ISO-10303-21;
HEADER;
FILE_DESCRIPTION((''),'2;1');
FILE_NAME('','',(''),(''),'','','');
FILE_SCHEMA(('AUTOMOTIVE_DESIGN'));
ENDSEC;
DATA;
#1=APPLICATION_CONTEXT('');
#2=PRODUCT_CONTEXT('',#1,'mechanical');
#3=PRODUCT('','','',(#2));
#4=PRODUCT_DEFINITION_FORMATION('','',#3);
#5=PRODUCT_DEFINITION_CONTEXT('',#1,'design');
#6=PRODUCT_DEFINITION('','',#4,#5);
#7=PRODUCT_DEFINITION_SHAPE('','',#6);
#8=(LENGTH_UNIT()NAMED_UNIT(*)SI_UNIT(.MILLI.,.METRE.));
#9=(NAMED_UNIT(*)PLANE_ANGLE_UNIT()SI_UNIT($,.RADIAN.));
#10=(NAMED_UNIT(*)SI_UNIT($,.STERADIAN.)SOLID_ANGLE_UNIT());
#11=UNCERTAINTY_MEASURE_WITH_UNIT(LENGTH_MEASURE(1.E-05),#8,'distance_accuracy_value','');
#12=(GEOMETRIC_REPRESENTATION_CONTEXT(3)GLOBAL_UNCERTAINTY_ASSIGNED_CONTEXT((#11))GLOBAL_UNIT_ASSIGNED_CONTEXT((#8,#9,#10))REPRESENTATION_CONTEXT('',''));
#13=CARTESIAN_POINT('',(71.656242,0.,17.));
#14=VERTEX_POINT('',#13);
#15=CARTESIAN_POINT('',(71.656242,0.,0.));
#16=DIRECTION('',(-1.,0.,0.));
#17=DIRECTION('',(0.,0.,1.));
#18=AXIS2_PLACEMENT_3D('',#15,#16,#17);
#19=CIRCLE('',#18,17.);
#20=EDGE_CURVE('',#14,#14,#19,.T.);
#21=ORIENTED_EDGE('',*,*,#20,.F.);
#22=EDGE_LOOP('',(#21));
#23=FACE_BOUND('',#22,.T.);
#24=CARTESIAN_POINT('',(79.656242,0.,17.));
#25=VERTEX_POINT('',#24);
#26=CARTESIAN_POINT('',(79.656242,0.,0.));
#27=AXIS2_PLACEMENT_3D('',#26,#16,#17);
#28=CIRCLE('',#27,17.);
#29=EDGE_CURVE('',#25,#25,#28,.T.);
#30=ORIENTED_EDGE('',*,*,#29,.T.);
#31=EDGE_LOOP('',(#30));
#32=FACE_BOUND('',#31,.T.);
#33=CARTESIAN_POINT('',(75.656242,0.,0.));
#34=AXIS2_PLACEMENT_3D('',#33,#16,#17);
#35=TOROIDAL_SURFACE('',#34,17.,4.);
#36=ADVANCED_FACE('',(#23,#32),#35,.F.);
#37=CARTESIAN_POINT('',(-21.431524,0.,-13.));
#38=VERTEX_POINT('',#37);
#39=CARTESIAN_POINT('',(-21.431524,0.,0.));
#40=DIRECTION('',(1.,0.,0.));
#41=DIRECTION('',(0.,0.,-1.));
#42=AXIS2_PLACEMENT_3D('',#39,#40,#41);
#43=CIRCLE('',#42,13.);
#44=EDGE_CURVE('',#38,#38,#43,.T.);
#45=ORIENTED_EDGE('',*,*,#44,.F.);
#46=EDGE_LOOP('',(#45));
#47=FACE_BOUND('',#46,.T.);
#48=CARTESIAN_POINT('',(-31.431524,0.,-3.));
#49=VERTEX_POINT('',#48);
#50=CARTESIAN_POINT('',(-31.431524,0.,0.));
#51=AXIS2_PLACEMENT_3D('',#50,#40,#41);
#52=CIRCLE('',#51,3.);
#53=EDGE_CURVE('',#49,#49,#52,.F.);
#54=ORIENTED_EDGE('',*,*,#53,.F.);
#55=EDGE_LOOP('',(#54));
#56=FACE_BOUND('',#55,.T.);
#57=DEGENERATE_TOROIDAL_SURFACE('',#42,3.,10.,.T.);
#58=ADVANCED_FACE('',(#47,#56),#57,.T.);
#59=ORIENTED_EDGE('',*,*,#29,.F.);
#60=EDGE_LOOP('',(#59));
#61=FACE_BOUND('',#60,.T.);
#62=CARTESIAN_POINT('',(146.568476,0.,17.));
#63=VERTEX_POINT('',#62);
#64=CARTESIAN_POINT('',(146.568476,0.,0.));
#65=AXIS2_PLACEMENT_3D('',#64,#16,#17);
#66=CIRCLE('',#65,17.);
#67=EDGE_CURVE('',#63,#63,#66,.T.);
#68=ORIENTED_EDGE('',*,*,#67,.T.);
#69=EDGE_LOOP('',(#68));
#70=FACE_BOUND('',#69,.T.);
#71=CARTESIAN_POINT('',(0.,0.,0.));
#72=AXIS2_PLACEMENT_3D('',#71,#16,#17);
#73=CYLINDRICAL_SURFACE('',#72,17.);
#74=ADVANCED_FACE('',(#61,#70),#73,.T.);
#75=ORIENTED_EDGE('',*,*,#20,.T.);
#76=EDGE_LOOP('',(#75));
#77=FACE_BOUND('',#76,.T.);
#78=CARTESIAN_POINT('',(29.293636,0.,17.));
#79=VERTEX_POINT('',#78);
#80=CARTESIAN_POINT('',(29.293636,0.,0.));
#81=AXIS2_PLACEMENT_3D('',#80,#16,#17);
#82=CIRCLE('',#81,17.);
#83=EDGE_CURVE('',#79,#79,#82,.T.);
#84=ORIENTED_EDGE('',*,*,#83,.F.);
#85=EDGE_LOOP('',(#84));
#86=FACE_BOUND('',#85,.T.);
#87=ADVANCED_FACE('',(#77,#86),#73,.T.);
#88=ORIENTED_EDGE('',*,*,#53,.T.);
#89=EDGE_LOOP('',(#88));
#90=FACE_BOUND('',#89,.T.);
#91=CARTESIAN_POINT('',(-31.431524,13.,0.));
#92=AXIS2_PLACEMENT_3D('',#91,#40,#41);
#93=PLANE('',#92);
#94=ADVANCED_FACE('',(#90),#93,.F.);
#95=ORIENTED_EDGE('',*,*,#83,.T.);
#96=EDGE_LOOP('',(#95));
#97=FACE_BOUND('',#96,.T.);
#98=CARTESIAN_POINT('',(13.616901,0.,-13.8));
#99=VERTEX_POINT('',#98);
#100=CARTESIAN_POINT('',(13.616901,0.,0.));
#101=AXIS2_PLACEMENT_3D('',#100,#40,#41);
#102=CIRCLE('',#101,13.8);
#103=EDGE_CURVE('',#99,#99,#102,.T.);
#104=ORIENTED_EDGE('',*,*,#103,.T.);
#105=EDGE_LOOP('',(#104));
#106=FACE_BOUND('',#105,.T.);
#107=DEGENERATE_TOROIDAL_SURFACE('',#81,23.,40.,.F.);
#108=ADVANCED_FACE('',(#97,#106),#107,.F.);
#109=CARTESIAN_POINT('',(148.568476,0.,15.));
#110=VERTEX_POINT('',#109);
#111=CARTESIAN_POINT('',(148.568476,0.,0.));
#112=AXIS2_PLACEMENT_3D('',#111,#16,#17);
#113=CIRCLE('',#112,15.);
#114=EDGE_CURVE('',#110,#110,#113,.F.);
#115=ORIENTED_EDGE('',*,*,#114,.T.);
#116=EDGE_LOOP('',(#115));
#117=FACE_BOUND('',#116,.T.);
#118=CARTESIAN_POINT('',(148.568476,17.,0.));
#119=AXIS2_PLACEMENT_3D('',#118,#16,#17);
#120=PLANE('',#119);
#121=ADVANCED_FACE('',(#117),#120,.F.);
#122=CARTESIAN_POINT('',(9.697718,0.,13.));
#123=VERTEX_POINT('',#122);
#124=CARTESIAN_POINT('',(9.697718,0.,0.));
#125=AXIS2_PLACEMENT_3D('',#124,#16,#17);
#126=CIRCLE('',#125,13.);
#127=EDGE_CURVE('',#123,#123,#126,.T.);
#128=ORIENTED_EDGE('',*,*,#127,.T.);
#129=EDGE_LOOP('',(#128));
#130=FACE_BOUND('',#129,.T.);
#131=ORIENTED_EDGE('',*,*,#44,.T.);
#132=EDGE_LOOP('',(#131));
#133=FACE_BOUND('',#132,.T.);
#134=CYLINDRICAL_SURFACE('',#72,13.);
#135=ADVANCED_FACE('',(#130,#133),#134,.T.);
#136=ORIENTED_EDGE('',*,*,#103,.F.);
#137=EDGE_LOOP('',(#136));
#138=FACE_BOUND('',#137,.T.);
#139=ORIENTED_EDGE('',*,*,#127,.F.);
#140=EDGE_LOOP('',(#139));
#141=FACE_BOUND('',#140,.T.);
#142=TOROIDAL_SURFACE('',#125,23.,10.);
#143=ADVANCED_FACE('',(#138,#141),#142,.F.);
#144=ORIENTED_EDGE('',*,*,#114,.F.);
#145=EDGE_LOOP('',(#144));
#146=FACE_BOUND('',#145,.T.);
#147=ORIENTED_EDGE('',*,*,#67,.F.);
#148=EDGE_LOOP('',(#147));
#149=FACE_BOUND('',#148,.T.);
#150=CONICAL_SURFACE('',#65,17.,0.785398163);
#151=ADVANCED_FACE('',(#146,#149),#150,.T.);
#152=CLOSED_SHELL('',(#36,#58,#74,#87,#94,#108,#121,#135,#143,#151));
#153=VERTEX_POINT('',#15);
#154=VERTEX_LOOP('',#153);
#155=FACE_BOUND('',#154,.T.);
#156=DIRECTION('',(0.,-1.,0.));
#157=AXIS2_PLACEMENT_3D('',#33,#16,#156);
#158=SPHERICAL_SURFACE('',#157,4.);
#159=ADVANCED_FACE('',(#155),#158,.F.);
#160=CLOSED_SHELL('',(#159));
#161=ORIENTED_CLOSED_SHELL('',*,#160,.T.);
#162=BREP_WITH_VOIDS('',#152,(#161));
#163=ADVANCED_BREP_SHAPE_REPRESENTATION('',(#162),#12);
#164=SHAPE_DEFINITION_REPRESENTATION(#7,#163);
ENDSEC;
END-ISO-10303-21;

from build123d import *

# Parameters (mm, degrees)
FILLET1_R     = 10
CHAMFER1_SIZE = 2


with BuildPart() as part:
    # Sketch1 → Revolve1 (revolve)
    with BuildSketch(Plane.XY, mode=Mode.PRIVATE) as revolve1_sk:
        with BuildLine():
            Line((0, 0), (71.656242166, 0))
            ThreePointArc((71.656242166, 0), (75.656242166, 4), (79.656242166, 0))
            Line((79.656242166, 0), (148.568475549, 0))
            Line((148.568475549, 0), (148.568475549, 17))
            Line((148.568475549, 17), (79.656242166, 17))
            ThreePointArc((79.656242166, 17), (75.656242166, 13), (71.656242166, 17))
            Line((71.656242166, 17), (29.293635646, 17))
            ThreePointArc((29.293635646, 17), (20.349363736, 15.987177379), (11.858039872, 13))
            Line((11.858039872, 13), (-31.431524451, 13))
            Line((-31.431524451, 13), (-31.431524451, 0))
            Line((-31.431524451, 0), (0, 0))
        make_face()
    revolve(revolve1_sk.sketch.rotate(Axis((0, 0, 0), (1, 0, 0)), 90), axis=Axis((0, 0, 0), (1, 0, 0)))

    # Fillet1
    fillet1_edges = [part.edges().sort_by_distance(p)[0] for p in [
        (11.858039872, 0, -13),
        (-31.431524451, 0, -13),
    ]]
    fillet(fillet1_edges, radius=FILLET1_R)

    # Chamfer1
    chamfer1_edges = [part.edges().sort_by_distance(p)[0] for p in [
        (148.568475549, 0, -17),
    ]]
    chamfer(chamfer1_edges, length=CHAMFER1_SIZE)


solid = part.part
